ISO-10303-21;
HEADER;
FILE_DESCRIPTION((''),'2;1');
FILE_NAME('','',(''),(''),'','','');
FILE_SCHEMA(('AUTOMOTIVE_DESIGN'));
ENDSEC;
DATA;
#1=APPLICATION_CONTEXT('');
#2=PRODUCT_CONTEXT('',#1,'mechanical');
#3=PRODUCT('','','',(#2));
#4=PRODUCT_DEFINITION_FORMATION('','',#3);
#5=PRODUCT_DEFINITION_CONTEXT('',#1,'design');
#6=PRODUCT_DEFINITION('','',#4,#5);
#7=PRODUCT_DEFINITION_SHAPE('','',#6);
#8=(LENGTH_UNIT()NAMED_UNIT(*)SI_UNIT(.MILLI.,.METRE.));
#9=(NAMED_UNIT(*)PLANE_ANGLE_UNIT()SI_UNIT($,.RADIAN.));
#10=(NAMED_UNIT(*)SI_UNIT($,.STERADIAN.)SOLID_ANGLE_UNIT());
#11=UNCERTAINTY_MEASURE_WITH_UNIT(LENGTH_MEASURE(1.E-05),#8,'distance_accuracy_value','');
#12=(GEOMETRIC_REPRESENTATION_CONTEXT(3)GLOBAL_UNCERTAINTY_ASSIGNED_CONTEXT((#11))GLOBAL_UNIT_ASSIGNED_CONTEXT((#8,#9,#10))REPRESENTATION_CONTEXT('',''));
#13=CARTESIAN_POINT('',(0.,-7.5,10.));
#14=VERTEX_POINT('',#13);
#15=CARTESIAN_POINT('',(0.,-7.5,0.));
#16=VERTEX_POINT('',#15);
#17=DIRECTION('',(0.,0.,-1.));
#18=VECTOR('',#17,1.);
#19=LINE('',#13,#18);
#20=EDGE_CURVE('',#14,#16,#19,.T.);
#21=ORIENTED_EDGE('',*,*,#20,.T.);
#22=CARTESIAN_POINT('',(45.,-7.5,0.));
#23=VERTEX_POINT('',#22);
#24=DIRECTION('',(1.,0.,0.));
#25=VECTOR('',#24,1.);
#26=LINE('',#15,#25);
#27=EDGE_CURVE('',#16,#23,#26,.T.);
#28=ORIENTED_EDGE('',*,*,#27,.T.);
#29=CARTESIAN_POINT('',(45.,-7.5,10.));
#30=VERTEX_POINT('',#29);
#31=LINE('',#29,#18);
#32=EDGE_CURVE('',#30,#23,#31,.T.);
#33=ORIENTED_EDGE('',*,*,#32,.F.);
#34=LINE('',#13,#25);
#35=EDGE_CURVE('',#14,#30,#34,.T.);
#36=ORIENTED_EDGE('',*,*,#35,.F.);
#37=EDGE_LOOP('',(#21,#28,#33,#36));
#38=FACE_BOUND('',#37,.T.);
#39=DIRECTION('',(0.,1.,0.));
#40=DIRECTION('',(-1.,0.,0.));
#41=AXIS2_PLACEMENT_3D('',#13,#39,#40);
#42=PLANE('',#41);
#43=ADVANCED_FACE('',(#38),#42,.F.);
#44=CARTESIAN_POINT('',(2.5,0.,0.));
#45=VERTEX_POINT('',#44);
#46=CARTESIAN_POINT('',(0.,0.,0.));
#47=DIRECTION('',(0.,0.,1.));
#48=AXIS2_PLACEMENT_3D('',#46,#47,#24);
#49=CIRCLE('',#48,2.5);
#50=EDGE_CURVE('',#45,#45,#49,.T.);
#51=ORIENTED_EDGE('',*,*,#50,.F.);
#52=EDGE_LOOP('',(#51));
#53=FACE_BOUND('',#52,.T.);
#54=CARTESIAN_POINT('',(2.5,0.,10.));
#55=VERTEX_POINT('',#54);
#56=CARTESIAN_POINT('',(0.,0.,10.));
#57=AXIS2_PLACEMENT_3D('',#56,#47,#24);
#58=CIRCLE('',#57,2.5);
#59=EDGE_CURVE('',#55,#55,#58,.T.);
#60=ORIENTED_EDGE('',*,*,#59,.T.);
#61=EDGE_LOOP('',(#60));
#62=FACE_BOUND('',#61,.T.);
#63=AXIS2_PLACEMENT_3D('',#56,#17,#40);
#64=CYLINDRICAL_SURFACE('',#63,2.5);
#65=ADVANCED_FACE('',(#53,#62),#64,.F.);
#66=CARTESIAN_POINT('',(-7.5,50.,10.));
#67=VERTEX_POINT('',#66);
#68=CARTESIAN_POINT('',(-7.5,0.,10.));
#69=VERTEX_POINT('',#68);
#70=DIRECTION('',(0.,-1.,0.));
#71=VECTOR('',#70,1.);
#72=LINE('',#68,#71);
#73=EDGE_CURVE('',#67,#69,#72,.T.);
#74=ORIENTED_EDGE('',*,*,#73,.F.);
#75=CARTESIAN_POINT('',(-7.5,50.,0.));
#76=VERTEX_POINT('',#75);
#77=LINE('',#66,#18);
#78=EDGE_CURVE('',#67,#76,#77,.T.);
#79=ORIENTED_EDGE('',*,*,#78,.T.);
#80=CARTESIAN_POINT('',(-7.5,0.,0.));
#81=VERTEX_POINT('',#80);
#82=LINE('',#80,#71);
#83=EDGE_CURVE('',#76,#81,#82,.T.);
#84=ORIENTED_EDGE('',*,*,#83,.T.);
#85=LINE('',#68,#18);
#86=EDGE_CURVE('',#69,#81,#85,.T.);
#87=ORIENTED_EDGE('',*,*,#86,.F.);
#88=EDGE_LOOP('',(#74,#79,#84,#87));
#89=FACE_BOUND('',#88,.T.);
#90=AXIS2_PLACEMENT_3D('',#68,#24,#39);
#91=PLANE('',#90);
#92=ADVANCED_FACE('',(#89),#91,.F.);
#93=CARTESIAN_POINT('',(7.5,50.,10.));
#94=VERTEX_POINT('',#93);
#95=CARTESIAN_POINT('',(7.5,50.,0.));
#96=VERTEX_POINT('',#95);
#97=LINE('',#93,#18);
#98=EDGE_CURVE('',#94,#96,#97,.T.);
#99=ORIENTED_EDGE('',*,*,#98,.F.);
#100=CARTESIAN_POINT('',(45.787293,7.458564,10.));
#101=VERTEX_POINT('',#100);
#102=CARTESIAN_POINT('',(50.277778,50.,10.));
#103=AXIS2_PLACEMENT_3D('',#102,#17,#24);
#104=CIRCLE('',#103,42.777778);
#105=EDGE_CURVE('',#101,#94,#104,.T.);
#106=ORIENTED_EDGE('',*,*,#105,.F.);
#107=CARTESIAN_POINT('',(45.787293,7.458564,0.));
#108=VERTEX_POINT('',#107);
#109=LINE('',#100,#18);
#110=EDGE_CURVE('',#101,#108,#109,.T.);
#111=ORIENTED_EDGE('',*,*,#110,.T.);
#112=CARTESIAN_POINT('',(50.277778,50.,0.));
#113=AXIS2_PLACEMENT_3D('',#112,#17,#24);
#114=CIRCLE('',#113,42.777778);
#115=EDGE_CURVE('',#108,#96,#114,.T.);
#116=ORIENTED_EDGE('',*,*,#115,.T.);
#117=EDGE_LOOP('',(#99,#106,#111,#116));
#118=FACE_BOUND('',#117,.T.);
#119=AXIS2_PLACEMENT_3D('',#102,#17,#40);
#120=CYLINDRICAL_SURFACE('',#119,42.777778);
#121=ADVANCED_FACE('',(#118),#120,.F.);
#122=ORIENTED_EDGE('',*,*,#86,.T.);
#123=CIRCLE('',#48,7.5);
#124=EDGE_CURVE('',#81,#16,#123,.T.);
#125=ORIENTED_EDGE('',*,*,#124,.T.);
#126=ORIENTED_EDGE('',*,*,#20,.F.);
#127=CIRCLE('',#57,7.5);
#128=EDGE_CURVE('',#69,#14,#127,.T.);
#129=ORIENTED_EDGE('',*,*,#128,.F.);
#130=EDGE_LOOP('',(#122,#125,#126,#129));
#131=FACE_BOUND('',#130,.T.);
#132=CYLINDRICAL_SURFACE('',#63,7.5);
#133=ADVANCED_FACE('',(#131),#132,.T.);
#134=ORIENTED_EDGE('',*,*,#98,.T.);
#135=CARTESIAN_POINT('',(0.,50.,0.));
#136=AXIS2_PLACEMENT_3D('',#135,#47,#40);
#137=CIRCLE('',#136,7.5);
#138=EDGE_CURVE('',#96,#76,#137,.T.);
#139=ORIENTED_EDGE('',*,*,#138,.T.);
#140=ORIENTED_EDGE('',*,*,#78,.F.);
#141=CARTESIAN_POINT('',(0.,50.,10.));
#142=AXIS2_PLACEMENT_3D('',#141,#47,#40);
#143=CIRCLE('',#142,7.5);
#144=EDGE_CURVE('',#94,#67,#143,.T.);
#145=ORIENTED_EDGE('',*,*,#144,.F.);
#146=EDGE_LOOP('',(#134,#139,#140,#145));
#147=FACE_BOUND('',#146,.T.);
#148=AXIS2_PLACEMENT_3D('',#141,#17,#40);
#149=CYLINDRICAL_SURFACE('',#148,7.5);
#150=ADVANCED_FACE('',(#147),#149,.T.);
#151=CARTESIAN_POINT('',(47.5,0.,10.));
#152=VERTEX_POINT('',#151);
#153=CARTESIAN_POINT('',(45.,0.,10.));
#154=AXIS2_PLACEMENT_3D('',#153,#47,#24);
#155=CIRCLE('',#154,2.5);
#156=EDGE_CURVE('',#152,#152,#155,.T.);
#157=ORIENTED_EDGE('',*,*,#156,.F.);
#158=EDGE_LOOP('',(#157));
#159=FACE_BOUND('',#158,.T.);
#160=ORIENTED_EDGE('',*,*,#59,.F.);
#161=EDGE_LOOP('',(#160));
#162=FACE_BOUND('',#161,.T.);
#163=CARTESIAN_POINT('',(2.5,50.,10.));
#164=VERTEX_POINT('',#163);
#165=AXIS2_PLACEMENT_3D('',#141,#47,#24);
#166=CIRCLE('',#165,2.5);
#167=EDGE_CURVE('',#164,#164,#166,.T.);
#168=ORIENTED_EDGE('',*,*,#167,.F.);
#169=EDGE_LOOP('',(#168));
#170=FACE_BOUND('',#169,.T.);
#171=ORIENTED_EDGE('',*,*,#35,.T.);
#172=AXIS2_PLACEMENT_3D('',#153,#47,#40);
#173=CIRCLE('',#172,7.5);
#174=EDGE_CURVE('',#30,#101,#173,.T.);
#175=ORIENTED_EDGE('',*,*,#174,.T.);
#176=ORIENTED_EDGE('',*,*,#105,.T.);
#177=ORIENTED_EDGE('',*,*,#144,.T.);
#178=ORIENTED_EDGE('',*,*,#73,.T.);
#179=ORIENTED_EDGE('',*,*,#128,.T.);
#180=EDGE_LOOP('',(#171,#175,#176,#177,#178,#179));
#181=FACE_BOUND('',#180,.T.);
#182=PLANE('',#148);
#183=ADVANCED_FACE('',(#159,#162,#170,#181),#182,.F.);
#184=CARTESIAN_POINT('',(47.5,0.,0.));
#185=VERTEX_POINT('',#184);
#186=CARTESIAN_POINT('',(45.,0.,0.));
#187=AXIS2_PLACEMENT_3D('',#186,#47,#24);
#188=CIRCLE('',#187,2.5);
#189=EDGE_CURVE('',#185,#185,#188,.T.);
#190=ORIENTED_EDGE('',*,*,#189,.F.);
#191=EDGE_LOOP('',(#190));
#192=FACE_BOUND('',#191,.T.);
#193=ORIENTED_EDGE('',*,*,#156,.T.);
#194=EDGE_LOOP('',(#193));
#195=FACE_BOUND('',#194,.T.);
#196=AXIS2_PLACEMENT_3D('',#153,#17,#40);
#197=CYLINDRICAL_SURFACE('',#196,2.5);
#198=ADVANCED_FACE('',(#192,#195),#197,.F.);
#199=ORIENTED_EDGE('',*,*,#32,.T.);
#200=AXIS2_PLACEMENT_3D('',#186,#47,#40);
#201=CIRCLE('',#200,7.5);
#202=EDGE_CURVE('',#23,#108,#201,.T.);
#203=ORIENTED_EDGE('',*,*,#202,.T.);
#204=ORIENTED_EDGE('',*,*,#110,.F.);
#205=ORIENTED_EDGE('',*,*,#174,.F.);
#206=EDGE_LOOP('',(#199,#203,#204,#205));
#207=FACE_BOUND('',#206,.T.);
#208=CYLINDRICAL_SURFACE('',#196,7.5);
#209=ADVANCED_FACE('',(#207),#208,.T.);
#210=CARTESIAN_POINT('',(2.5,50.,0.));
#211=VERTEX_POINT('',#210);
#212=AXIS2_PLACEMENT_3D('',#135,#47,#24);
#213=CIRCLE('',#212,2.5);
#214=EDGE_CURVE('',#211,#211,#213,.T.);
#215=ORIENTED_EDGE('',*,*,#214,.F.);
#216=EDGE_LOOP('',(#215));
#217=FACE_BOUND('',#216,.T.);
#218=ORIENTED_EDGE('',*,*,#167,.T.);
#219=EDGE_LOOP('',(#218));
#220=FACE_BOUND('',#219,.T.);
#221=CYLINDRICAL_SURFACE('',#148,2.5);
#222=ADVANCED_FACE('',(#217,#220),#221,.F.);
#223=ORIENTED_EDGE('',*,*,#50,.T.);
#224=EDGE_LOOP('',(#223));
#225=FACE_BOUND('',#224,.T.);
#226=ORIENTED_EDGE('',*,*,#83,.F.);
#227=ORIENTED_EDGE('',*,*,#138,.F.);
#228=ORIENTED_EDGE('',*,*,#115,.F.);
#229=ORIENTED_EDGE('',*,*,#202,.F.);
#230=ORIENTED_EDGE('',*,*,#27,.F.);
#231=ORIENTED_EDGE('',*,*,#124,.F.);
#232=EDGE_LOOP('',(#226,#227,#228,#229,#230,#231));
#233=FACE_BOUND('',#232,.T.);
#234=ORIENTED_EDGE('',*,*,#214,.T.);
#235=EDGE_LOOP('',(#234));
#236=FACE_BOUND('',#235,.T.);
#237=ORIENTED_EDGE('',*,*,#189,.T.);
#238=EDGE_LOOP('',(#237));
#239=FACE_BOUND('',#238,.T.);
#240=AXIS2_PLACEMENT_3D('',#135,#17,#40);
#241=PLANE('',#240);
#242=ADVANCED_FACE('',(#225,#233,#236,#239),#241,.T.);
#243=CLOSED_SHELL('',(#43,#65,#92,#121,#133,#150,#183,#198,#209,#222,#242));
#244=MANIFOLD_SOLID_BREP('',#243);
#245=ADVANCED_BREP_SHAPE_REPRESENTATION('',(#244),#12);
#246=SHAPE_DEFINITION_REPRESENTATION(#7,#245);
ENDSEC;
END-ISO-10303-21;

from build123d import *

# Parameters (mm, degrees)
SKETCH1_R           = 2.5
BOSS_EXTRUDE1_DEPTH = 10


with BuildPart() as part:
    # Sketch1 → Boss-Extrude1 (new body)
    with BuildSketch(Plane.XY):
        with BuildLine():
            Line((-7.5, 0), (-7.5, 50))
            ThreePointArc((-7.5, 50), (0, 57.5), (7.5, 50))
            ThreePointArc((7.5, 50), (18.481305966, 21.383175369), (45.787292818, 7.458563536))
            ThreePointArc((45.787292818, 7.458563536), (52.48963372, -0.394191248), (45, -7.5))
            Line((45, -7.5), (0, -7.5))
            ThreePointArc((0, -7.5), (-5.303300859, -5.303300859), (-7.5, 0))
        make_face()
        Circle(SKETCH1_R, mode=Mode.SUBTRACT)
        with Locations((45, 0)):
            Circle(SKETCH1_R, mode=Mode.SUBTRACT)
        with Locations((0, 50)):
            Circle(SKETCH1_R, mode=Mode.SUBTRACT)
    extrude(amount=BOSS_EXTRUDE1_DEPTH)


solid = part.part
